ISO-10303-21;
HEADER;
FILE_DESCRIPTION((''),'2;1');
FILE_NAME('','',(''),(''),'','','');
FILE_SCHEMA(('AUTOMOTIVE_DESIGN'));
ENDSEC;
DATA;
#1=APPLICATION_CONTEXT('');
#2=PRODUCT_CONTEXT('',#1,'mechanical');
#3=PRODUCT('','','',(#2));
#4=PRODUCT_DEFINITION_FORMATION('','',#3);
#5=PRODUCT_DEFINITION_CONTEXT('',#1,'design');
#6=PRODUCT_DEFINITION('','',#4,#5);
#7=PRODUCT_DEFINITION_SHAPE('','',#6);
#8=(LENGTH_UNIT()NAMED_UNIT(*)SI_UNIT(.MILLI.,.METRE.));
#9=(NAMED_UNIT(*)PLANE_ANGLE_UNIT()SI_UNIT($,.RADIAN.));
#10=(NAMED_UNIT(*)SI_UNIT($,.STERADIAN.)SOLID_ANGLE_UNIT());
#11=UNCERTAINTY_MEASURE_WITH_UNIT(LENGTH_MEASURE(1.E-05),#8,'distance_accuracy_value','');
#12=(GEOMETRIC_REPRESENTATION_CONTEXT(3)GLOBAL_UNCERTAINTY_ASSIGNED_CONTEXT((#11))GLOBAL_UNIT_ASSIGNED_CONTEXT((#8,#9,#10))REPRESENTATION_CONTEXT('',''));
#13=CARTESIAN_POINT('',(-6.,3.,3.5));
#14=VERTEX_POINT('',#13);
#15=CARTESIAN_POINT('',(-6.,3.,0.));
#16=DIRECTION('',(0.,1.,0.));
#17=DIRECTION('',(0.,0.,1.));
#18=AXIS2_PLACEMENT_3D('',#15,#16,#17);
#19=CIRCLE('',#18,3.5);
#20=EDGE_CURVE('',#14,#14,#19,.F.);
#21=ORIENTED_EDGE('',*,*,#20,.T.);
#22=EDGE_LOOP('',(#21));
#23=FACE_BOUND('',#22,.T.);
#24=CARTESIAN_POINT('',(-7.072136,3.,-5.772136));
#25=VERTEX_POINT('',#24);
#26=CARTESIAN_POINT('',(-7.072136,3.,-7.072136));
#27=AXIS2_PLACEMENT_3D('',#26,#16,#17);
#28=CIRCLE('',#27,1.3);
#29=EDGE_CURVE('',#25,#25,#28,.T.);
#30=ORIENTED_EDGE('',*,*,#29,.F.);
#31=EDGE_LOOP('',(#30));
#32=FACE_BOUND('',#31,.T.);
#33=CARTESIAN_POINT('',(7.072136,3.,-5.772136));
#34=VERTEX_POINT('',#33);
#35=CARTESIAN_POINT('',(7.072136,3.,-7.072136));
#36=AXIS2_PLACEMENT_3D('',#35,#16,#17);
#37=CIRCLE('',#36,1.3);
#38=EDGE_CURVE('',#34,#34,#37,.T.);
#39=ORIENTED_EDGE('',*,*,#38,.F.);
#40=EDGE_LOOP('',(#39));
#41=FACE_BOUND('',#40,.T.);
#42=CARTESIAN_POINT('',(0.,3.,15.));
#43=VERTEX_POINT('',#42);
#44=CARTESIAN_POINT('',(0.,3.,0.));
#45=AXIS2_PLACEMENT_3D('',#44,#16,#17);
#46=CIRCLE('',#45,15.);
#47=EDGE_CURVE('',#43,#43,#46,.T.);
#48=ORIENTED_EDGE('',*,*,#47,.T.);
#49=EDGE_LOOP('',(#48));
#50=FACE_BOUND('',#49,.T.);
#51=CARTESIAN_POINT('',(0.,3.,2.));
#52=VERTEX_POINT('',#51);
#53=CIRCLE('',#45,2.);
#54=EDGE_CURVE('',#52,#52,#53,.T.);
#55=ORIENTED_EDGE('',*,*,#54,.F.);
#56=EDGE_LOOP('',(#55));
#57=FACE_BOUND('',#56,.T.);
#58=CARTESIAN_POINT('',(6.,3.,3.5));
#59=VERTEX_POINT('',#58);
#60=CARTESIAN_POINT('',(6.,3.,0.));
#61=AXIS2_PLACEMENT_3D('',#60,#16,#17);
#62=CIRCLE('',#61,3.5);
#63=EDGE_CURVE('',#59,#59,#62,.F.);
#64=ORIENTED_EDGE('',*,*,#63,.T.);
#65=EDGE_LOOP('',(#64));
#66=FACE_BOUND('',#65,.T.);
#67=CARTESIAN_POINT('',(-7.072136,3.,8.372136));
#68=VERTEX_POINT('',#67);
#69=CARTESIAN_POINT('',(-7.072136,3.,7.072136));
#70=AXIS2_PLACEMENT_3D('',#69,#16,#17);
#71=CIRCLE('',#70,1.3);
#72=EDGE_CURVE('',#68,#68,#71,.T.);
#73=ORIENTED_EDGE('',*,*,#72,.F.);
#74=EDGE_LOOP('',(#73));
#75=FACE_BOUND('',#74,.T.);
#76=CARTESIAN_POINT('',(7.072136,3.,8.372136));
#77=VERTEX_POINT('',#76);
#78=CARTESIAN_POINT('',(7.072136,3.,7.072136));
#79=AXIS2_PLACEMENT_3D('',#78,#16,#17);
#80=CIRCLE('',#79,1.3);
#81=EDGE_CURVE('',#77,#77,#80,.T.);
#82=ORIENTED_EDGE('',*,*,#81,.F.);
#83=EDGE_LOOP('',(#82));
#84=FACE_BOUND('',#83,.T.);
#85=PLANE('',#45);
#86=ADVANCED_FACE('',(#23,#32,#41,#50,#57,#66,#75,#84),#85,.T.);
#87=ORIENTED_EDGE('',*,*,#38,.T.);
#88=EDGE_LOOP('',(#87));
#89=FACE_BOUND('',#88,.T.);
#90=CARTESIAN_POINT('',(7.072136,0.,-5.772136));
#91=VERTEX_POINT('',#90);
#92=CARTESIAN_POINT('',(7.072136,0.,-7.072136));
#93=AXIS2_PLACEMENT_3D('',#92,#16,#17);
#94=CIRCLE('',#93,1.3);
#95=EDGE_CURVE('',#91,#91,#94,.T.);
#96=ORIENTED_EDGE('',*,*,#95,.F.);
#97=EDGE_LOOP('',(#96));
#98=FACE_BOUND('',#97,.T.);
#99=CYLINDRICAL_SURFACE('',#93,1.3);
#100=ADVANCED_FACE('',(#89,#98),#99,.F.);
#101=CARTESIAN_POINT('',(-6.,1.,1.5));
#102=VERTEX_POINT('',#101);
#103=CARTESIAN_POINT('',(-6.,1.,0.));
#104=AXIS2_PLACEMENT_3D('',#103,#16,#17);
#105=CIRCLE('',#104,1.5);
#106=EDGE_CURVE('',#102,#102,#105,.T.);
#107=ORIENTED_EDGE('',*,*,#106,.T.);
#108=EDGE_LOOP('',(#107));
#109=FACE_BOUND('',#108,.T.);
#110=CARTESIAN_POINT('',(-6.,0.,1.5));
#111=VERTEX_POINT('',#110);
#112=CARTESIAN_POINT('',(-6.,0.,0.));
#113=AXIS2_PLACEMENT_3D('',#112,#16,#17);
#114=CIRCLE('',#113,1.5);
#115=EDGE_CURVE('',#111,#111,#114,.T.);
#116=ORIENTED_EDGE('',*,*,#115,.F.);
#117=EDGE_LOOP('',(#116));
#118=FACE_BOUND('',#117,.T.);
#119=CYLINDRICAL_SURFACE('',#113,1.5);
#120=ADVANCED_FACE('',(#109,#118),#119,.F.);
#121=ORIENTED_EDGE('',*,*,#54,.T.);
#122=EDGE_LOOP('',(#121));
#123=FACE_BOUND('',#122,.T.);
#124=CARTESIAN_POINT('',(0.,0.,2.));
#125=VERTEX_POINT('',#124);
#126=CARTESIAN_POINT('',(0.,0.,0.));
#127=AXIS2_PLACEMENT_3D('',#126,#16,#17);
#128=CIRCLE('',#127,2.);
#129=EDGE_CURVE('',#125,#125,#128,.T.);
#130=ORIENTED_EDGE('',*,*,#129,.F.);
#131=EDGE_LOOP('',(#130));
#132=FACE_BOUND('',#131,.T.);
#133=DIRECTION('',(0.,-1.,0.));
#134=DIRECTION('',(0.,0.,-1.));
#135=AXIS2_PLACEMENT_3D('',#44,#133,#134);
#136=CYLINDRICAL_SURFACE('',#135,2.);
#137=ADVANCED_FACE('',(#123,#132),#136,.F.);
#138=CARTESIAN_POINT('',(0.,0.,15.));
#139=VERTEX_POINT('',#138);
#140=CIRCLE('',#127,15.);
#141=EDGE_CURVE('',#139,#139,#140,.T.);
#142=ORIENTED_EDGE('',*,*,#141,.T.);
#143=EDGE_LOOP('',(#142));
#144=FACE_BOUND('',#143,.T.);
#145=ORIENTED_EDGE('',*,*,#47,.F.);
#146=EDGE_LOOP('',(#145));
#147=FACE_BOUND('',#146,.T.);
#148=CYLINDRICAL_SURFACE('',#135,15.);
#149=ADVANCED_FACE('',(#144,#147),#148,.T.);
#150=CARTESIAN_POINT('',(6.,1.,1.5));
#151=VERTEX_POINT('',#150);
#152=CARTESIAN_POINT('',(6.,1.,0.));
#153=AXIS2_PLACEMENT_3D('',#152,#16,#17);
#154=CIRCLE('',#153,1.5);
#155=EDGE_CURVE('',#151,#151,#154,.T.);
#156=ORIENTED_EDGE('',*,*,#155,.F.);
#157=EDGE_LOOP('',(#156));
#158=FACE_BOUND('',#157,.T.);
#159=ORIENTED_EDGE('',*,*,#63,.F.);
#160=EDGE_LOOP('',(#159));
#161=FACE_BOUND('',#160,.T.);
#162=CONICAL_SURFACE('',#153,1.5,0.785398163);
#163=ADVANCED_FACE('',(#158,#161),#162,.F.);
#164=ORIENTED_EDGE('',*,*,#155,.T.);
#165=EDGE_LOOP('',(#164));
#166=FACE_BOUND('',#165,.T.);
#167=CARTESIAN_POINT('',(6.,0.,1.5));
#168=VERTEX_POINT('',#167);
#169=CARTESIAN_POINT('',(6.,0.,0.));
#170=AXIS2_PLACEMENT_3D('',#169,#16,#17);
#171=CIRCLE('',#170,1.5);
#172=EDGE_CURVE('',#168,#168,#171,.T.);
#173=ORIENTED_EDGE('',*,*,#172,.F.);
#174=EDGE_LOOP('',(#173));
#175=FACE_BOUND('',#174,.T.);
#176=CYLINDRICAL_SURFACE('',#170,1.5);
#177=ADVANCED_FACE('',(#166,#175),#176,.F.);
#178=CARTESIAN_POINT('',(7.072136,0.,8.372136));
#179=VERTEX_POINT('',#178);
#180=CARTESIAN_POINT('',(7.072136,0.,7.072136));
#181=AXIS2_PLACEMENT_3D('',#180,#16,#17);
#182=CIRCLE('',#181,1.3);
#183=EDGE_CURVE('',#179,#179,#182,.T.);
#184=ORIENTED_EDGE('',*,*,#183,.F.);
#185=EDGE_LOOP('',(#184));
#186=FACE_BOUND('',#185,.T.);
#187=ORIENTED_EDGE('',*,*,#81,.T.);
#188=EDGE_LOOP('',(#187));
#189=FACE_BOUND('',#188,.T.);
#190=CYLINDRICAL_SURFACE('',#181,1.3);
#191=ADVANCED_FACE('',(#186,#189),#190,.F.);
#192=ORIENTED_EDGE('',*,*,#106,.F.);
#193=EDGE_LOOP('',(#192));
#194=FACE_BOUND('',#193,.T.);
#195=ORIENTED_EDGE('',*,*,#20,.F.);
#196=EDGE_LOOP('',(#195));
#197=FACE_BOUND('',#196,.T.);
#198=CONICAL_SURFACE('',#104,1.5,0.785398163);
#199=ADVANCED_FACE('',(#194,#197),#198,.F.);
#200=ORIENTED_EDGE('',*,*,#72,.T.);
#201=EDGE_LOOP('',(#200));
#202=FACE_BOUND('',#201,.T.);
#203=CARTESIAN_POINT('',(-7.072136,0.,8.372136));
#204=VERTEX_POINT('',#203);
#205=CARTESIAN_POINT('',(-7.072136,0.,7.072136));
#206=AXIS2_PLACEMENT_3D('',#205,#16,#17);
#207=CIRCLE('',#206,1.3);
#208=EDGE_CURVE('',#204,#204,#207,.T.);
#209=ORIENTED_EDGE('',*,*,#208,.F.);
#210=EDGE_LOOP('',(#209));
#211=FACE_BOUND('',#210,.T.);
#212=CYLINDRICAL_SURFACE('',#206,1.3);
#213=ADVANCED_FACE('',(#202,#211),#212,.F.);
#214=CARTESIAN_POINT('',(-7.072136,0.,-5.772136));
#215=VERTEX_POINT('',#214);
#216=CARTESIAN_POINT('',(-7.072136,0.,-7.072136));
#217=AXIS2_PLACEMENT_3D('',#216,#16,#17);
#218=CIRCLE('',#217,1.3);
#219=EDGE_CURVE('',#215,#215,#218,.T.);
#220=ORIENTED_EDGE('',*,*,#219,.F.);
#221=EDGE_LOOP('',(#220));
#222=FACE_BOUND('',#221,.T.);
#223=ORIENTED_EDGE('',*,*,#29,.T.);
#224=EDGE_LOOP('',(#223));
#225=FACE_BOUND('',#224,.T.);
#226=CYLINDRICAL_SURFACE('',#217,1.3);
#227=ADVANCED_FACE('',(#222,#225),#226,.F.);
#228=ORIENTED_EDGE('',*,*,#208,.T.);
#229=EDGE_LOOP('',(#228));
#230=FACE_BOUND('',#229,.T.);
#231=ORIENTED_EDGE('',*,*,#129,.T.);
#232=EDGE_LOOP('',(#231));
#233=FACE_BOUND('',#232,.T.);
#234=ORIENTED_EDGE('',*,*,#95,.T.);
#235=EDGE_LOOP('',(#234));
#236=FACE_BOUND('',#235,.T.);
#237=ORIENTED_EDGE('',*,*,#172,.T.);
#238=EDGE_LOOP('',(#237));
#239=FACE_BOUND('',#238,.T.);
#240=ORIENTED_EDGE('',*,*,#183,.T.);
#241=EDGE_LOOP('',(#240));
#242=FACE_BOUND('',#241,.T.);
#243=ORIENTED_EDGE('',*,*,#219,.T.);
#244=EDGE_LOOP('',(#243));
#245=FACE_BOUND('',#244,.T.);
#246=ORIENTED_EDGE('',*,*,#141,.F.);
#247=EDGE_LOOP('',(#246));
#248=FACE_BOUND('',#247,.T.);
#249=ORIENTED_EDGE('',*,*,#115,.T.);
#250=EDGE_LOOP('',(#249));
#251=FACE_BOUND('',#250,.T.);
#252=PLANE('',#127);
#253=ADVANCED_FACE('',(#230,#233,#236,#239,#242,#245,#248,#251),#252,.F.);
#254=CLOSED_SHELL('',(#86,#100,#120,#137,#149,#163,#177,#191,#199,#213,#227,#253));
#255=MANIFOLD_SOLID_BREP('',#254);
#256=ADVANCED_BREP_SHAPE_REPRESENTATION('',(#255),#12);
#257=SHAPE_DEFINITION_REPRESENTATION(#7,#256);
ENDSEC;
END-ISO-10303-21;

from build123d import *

# Parameters (mm, degrees)
SKETCH1_R           = 15
SKETCH1_R_2         = 2
BOSS_EXTRUDE1_DEPTH = 3
SKETCH2_R           = 1.5
CUT_EXTRUDE1_DEPTH  = 3
CHAMFER1_SIZE       = 2
SKETCH3_R           = 1.3
CUT_EXTRUDE2_DEPTH  = 3


with BuildPart() as part:
    # Sketch1 → Boss-Extrude1 (new body)
    with BuildSketch(Plane(origin=(0, 0, 0), x_dir=(1, 0, 0), z_dir=(0, 1, 0))):
        with Locations(Location((0, 0, 0), (0, 0, 270))):
            Circle(SKETCH1_R)
        with Locations(Location((0, 0, 0), (0, 0, 270))):
            Circle(SKETCH1_R_2, mode=Mode.SUBTRACT)
    extrude(amount=BOSS_EXTRUDE1_DEPTH)

    # Sketch2 → Cut-Extrude1 (cut)
    with BuildSketch(Plane(origin=(0, 3, 0), x_dir=(1, 0, 0), z_dir=(0, 1, 0))):
        with Locations(Location((6, 0, 0), (0, 0, 270))):
            Circle(SKETCH2_R)
        with Locations(Location((-6, 0, 0), (0, 0, 270))):
            Circle(SKETCH2_R)
    extrude(amount=-CUT_EXTRUDE1_DEPTH, mode=Mode.SUBTRACT)

    # Chamfer1
    chamfer1_edges = [part.edges().sort_by_distance(p)[0] for p in [
        (6, 3, -1.5),
        (-6, 3, -1.5),
    ]]
    chamfer(chamfer1_edges, length=CHAMFER1_SIZE)

    # Sketch3 → Cut-Extrude2 (cut)
    with BuildSketch(Plane(origin=(0, 3, 0), x_dir=(1, 0, 0), z_dir=(0, 1, 0))):
        with Locations(Location((-7.072135785, 7.072135785, 0), (0, 0, 270))):
            Circle(SKETCH3_R)
        with Locations(Location((7.072135785, 7.072135785, 0), (0, 0, 270))):
            Circle(SKETCH3_R)
        with Locations(Location((7.072135785, -7.072135785, 0), (0, 0, 270))):
            Circle(SKETCH3_R)
        with Locations(Location((-7.072135785, -7.072135785, 0), (0, 0, 270))):
            Circle(SKETCH3_R)
    extrude(amount=-CUT_EXTRUDE2_DEPTH, mode=Mode.SUBTRACT)


solid = part.part
